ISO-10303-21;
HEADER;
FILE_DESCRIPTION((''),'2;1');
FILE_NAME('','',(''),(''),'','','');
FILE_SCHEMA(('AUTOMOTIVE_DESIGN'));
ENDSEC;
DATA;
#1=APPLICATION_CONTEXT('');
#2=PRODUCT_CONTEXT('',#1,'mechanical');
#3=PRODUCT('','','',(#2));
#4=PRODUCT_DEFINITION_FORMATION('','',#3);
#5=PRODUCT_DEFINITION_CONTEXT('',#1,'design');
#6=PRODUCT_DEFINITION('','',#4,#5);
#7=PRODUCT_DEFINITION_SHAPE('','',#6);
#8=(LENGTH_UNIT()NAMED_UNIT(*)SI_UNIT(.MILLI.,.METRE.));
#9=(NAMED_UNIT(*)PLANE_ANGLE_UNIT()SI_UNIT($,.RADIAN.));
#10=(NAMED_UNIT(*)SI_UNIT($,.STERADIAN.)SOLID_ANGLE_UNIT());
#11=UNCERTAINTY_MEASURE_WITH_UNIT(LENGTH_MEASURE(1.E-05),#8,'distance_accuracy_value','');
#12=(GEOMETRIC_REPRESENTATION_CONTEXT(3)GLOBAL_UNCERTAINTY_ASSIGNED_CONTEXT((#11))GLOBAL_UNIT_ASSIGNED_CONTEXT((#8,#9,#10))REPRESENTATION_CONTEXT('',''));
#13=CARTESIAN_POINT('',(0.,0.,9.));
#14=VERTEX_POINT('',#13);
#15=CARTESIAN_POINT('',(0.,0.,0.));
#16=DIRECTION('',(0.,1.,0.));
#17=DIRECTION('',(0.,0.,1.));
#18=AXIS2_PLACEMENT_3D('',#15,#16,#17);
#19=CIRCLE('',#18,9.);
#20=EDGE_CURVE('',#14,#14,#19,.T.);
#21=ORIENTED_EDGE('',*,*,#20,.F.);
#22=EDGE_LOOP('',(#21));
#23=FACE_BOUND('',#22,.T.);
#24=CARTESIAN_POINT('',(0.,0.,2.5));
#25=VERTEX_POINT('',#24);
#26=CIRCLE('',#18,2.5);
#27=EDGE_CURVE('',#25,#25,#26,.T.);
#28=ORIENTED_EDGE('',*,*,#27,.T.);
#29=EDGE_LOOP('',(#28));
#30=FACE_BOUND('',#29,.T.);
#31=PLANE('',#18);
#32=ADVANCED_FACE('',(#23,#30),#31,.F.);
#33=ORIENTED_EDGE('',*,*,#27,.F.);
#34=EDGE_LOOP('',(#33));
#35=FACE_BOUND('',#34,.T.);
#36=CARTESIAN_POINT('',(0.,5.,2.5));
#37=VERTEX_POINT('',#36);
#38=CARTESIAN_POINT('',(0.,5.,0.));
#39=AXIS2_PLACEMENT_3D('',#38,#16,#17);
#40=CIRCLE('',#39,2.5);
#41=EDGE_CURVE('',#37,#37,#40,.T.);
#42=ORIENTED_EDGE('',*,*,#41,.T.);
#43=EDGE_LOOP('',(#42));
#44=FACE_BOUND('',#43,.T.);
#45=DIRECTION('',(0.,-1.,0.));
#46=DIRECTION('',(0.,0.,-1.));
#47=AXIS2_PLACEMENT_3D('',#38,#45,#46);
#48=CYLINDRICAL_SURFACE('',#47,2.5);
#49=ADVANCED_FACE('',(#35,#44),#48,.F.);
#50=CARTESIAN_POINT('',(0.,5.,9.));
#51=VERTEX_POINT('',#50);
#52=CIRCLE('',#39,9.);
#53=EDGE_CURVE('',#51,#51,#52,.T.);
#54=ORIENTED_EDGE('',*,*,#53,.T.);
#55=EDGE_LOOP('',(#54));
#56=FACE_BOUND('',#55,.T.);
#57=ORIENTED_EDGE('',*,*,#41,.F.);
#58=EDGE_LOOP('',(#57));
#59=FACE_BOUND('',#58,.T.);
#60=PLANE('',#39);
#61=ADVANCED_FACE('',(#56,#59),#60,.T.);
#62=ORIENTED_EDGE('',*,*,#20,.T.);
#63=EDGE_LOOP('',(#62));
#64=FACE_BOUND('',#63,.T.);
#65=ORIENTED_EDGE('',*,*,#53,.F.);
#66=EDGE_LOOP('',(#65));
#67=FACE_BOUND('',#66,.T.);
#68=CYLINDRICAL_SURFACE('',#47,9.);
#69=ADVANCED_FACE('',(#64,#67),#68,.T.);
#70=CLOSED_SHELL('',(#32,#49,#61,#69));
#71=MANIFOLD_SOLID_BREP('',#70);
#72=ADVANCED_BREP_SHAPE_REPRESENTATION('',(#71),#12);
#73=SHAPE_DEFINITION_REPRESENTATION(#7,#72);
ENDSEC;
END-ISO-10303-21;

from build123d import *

# Parameters (mm, degrees)
SKETCH1_R           = 9
SKETCH1_R_2         = 2.5
BOSS_EXTRUDE1_DEPTH = 5


with BuildPart() as part:
    # Sketch1 → Boss-Extrude1 (new body)
    with BuildSketch(Plane(origin=(0, 0, 0), x_dir=(1, 0, 0), z_dir=(0, 1, 0))):
        Circle(SKETCH1_R)
        Circle(SKETCH1_R_2, mode=Mode.SUBTRACT)
    extrude(amount=BOSS_EXTRUDE1_DEPTH)


solid = part.part
